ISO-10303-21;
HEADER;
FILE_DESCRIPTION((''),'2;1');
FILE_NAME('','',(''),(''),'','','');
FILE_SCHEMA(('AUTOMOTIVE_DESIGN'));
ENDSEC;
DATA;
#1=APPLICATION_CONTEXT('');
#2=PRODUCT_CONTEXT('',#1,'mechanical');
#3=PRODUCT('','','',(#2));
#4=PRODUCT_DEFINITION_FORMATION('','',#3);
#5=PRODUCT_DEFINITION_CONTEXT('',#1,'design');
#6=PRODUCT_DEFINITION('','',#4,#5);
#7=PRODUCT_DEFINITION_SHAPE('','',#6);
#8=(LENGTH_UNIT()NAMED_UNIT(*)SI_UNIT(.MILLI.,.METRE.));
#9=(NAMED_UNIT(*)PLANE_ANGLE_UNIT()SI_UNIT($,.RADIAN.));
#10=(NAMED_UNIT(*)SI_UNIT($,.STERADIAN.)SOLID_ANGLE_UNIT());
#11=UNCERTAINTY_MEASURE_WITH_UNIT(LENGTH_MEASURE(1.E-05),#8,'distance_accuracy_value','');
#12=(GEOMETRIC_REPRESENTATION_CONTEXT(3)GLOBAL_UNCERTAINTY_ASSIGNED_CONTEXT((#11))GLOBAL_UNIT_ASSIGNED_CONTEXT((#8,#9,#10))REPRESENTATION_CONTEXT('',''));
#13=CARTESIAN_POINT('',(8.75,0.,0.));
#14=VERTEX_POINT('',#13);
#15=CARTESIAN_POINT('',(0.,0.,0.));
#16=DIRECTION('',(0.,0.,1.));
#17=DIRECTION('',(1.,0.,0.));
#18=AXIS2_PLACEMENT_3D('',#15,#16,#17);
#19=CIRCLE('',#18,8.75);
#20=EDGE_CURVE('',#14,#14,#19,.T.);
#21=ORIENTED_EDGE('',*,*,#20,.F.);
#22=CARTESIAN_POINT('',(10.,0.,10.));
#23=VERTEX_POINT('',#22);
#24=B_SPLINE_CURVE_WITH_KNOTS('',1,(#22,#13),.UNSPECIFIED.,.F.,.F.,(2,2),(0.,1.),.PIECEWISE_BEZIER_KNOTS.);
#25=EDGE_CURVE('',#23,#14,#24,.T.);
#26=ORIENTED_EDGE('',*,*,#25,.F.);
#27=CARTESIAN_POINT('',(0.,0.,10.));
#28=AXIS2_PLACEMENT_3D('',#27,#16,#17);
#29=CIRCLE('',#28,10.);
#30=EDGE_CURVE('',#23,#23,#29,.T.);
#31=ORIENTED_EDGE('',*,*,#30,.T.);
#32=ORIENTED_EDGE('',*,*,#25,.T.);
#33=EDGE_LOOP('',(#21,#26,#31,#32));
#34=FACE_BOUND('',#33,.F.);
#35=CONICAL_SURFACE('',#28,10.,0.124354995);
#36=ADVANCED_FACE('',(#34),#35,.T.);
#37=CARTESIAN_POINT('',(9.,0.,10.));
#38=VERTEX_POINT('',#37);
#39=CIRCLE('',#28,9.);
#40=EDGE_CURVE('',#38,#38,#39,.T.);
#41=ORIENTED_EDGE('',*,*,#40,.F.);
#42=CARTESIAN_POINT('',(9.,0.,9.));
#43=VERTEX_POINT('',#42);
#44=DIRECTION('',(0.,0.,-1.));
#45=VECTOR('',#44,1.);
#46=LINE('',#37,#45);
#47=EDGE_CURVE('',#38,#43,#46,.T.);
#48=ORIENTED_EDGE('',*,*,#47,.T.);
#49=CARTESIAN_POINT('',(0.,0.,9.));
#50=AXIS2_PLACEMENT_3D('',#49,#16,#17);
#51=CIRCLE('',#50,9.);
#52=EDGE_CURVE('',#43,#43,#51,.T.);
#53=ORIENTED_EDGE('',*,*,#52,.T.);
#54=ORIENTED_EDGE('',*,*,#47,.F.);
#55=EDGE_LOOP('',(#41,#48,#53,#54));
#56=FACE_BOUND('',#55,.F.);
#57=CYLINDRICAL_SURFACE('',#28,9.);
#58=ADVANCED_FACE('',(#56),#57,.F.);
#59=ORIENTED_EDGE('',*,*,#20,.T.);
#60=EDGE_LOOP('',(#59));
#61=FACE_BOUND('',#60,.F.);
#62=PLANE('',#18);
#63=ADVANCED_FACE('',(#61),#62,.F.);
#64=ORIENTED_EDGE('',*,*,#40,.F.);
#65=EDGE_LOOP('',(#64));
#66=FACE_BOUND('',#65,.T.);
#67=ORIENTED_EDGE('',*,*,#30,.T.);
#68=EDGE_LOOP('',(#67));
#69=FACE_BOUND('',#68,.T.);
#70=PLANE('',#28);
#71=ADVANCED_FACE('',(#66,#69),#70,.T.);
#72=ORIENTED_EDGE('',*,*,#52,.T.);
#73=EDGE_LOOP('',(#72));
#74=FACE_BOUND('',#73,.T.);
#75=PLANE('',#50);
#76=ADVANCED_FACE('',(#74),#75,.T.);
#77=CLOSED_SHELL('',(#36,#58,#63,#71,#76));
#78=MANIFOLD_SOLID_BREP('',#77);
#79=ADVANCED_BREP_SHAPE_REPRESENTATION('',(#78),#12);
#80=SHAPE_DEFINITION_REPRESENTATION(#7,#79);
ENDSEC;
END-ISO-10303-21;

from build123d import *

# Parameters (mm, degrees)
F2_R     = 10
F0_R     = 8.75
F4_R     = 9
F5_DEPTH = 1


with BuildPart() as f3:
    # F2 (on offset) → F3 section 0
    with BuildSketch(Plane.XY.offset(10)):
        Circle(F2_R)
    # F0 (on Top) → F3 section 1
    with BuildSketch(Plane.XY):
        Circle(F0_R)
    loft()

    # F4 (on face) → F5 (cut)
    with BuildSketch(Plane.XY.offset(10)):
        Circle(F4_R)
    extrude(amount=-F5_DEPTH, mode=Mode.SUBTRACT)


solid = f3.part
